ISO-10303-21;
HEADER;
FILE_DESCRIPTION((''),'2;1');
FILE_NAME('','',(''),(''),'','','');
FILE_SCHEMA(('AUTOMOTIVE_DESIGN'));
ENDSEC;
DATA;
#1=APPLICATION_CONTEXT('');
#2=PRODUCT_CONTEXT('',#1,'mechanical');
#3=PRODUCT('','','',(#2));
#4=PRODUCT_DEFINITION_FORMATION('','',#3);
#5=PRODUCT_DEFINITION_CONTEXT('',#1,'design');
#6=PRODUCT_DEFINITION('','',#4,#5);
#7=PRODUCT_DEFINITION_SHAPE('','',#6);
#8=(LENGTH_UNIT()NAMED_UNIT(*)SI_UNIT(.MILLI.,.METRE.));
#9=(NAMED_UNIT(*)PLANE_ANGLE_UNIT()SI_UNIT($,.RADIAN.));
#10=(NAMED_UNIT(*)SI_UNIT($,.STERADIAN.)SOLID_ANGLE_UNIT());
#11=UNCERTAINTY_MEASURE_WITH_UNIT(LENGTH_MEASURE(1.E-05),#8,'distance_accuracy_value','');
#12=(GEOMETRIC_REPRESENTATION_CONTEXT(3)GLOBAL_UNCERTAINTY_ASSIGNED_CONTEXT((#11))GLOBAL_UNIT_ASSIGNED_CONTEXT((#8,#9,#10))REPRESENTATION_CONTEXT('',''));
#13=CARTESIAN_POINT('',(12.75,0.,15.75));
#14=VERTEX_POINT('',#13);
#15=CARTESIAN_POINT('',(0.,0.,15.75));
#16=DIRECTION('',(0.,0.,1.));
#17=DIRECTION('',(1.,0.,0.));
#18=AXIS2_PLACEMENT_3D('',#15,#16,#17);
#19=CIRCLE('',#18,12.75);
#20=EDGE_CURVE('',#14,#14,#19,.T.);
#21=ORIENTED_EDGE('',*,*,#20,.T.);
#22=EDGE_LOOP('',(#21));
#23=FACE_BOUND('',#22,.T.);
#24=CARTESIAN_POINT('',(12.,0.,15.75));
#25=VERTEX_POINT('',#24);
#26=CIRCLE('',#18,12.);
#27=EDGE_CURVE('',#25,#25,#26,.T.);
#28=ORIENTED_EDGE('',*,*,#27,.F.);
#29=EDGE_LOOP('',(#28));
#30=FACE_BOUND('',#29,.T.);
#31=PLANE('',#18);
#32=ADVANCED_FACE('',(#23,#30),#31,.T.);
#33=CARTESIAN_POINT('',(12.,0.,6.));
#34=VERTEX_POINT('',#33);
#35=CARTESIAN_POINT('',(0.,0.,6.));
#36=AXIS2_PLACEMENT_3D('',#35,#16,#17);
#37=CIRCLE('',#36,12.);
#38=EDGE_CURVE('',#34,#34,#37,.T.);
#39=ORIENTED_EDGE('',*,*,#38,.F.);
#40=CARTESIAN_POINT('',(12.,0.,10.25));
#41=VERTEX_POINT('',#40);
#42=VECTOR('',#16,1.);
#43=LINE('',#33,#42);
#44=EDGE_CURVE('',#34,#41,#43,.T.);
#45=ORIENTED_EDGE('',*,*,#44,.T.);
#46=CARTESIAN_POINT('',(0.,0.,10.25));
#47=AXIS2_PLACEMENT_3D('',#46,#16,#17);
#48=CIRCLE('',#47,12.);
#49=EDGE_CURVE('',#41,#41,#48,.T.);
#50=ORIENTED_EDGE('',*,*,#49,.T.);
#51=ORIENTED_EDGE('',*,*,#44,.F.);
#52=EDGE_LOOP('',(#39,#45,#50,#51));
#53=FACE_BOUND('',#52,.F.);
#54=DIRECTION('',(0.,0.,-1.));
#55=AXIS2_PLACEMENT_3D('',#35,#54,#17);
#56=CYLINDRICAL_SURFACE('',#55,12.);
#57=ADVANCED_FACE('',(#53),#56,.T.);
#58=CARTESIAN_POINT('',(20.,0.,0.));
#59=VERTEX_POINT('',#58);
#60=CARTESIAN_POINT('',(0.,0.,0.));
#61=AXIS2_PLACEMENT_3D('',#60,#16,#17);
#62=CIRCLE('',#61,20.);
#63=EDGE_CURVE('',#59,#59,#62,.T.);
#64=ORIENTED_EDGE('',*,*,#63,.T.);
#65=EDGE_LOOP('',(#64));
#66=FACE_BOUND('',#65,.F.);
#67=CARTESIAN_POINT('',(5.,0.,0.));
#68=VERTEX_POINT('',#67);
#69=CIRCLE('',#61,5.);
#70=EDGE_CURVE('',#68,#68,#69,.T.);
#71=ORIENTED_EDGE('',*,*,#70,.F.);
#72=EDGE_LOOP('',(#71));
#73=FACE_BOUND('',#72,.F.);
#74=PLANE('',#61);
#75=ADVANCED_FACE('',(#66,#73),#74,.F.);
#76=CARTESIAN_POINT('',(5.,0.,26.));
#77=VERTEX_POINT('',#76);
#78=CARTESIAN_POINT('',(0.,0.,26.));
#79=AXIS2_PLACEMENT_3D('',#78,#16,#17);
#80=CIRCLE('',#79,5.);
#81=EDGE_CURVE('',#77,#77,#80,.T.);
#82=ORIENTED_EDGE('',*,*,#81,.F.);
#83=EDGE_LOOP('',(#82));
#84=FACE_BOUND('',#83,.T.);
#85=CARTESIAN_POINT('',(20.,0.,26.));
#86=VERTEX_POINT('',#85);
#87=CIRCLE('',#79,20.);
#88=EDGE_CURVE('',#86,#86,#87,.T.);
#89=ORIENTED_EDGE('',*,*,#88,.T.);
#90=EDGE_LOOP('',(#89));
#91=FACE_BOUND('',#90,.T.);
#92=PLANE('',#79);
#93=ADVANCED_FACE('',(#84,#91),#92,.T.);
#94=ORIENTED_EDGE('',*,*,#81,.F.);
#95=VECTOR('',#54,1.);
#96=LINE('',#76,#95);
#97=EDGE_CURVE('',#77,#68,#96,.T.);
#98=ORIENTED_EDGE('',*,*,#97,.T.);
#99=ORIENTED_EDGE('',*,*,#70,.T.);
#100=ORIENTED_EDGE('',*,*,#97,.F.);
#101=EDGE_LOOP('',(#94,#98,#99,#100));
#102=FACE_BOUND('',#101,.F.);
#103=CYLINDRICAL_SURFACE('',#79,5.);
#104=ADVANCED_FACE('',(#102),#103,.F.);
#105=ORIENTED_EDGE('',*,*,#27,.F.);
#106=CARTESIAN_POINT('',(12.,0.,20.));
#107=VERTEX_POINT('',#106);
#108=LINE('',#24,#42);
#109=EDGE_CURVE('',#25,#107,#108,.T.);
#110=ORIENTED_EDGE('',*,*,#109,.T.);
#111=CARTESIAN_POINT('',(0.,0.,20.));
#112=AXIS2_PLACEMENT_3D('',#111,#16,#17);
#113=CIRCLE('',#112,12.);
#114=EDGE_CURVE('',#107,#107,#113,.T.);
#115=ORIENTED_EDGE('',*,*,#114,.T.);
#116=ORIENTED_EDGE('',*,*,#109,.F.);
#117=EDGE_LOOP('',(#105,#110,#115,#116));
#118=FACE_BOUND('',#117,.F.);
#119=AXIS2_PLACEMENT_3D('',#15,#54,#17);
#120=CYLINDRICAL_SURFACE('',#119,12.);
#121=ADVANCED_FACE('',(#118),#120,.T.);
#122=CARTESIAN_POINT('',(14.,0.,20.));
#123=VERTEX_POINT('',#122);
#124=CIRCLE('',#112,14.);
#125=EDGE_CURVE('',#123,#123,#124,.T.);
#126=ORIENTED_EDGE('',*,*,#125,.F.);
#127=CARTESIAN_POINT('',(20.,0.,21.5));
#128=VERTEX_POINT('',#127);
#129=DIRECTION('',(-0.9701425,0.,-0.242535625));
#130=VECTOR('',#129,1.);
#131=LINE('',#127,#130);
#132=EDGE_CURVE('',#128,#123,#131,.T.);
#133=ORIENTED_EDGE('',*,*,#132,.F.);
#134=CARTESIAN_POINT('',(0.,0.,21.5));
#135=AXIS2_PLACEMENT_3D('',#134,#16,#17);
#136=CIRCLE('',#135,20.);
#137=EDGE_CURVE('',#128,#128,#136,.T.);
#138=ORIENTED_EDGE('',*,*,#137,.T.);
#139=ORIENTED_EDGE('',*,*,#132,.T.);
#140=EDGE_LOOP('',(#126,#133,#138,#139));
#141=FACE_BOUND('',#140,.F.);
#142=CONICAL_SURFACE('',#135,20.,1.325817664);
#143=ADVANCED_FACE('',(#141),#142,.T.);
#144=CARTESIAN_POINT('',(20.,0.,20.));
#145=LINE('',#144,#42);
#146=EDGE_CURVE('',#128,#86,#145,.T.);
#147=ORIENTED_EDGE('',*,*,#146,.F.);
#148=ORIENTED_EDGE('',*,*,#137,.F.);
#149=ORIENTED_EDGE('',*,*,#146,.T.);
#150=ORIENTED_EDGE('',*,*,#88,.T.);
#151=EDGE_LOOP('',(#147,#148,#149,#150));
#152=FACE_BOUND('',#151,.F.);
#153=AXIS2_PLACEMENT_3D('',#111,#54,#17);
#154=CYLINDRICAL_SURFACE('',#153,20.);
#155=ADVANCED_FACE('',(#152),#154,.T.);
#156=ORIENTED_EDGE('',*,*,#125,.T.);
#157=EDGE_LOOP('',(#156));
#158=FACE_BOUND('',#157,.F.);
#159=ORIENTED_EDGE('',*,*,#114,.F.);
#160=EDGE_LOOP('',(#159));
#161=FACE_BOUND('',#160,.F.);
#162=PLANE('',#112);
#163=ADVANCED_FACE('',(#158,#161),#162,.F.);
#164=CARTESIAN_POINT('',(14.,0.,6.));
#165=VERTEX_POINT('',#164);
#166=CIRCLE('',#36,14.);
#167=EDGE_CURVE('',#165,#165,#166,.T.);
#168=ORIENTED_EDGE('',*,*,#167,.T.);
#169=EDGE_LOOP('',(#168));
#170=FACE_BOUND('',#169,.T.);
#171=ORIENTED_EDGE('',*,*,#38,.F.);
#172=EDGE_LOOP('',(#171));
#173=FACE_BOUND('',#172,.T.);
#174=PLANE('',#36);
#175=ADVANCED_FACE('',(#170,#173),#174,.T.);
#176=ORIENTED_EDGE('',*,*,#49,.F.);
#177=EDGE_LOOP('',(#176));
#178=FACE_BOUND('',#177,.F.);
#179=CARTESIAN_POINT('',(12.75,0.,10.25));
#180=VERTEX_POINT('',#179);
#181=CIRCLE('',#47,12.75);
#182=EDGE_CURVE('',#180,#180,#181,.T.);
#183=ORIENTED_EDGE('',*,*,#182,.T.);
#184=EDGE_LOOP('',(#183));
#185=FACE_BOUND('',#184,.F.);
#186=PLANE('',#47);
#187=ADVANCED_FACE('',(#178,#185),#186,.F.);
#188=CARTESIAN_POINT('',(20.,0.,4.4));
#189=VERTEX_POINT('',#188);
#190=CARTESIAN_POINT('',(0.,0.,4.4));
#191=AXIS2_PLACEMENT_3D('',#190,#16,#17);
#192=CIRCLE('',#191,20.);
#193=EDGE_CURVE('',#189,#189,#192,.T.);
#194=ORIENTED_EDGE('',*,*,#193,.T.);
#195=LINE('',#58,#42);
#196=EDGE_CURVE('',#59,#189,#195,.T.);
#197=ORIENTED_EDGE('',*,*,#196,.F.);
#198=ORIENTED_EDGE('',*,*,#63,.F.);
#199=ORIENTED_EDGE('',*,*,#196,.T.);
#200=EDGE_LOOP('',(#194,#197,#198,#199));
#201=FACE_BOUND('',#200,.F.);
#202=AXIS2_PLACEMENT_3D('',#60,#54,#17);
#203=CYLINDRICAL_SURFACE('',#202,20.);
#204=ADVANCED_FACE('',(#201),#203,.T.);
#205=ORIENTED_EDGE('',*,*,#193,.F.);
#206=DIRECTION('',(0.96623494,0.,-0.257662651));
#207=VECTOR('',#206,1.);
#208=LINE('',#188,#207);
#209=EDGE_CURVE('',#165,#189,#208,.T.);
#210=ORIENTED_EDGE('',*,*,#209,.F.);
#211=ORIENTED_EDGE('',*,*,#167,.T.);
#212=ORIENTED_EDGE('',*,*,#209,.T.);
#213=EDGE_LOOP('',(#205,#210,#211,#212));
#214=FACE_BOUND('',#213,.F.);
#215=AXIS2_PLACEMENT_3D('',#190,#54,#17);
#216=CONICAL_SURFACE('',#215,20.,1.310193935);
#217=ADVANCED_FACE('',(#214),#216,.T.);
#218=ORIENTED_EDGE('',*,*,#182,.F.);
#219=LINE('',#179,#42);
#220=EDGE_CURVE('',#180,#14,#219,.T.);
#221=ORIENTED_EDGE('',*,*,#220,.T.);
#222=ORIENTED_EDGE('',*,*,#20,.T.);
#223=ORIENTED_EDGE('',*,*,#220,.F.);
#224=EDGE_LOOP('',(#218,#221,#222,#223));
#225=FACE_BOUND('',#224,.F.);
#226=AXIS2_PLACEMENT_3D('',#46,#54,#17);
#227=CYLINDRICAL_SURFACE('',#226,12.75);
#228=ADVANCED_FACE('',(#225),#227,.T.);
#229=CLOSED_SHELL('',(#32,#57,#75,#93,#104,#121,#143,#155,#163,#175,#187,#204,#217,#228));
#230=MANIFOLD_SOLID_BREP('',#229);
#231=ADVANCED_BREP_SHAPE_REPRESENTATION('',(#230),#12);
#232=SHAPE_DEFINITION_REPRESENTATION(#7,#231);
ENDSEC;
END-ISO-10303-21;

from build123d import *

# Parameters (mm, degrees)
F0_R      = 20
F1_DEPTH  = 6
F2_R      = 12
F3_DEPTH  = 4.25
F4_R      = 12.75
F5_DEPTH  = 5.5
F6_R      = 12
F7_DEPTH  = 4.25
F8_R      = 20
F9_DEPTH  = 6
F10_R     = 5
F11_DEPTH = 26.001
F12_SIZE2 = 1.6
F12_SIZE  = 6
F13_SIZE2 = 6
F13_SIZE  = 1.5


with BuildPart() as f1:
    # F0 (on Top) → F1 (new body)
    with BuildSketch(Plane.XY):
        Circle(F0_R)
    extrude(amount=F1_DEPTH)

    # F2 (on face) → F3 (join)
    with BuildSketch(Plane.XY.offset(6)):
        Circle(F2_R)
    extrude(amount=F3_DEPTH)

    # F4 (on face) → F5 (join)
    with BuildSketch(Plane.XY.offset(10.25)):
        Circle(F4_R)
    extrude(amount=F5_DEPTH)

    # F6 (on face) → F7 (join)
    with BuildSketch(Plane.XY.offset(15.75)):
        Circle(F6_R)
    extrude(amount=F7_DEPTH)

    # F8 (on face) → F9 (join)
    with BuildSketch(Plane.XY.offset(20)):
        Circle(F8_R)
    extrude(amount=F9_DEPTH)

    # F10 (on face) → F11 (cut, through all)
    with BuildSketch(Plane.XY.offset(26)):
        Circle(F10_R)
    extrude(amount=-F11_DEPTH, mode=Mode.SUBTRACT)

    # F12
    f12_edges = [f1.edges().sort_by_distance(p)[0] for p in [
        (-20, 0, 6),
    ]]
    f12_side = f1.faces().sort_by_distance((-19.434315, 0, 6))[0]
    chamfer(f12_edges, length=F12_SIZE, length2=F12_SIZE2, reference=f12_side)

    # F13
    f13_edges = [f1.edges().sort_by_distance(p)[0] for p in [
        (-20, 0, 20),
    ]]
    f13_side = f1.faces().sort_by_distance((-20, 0, 23))[0]
    chamfer(f13_edges, length=F13_SIZE, length2=F13_SIZE2, reference=f13_side)


solid = f1.part
